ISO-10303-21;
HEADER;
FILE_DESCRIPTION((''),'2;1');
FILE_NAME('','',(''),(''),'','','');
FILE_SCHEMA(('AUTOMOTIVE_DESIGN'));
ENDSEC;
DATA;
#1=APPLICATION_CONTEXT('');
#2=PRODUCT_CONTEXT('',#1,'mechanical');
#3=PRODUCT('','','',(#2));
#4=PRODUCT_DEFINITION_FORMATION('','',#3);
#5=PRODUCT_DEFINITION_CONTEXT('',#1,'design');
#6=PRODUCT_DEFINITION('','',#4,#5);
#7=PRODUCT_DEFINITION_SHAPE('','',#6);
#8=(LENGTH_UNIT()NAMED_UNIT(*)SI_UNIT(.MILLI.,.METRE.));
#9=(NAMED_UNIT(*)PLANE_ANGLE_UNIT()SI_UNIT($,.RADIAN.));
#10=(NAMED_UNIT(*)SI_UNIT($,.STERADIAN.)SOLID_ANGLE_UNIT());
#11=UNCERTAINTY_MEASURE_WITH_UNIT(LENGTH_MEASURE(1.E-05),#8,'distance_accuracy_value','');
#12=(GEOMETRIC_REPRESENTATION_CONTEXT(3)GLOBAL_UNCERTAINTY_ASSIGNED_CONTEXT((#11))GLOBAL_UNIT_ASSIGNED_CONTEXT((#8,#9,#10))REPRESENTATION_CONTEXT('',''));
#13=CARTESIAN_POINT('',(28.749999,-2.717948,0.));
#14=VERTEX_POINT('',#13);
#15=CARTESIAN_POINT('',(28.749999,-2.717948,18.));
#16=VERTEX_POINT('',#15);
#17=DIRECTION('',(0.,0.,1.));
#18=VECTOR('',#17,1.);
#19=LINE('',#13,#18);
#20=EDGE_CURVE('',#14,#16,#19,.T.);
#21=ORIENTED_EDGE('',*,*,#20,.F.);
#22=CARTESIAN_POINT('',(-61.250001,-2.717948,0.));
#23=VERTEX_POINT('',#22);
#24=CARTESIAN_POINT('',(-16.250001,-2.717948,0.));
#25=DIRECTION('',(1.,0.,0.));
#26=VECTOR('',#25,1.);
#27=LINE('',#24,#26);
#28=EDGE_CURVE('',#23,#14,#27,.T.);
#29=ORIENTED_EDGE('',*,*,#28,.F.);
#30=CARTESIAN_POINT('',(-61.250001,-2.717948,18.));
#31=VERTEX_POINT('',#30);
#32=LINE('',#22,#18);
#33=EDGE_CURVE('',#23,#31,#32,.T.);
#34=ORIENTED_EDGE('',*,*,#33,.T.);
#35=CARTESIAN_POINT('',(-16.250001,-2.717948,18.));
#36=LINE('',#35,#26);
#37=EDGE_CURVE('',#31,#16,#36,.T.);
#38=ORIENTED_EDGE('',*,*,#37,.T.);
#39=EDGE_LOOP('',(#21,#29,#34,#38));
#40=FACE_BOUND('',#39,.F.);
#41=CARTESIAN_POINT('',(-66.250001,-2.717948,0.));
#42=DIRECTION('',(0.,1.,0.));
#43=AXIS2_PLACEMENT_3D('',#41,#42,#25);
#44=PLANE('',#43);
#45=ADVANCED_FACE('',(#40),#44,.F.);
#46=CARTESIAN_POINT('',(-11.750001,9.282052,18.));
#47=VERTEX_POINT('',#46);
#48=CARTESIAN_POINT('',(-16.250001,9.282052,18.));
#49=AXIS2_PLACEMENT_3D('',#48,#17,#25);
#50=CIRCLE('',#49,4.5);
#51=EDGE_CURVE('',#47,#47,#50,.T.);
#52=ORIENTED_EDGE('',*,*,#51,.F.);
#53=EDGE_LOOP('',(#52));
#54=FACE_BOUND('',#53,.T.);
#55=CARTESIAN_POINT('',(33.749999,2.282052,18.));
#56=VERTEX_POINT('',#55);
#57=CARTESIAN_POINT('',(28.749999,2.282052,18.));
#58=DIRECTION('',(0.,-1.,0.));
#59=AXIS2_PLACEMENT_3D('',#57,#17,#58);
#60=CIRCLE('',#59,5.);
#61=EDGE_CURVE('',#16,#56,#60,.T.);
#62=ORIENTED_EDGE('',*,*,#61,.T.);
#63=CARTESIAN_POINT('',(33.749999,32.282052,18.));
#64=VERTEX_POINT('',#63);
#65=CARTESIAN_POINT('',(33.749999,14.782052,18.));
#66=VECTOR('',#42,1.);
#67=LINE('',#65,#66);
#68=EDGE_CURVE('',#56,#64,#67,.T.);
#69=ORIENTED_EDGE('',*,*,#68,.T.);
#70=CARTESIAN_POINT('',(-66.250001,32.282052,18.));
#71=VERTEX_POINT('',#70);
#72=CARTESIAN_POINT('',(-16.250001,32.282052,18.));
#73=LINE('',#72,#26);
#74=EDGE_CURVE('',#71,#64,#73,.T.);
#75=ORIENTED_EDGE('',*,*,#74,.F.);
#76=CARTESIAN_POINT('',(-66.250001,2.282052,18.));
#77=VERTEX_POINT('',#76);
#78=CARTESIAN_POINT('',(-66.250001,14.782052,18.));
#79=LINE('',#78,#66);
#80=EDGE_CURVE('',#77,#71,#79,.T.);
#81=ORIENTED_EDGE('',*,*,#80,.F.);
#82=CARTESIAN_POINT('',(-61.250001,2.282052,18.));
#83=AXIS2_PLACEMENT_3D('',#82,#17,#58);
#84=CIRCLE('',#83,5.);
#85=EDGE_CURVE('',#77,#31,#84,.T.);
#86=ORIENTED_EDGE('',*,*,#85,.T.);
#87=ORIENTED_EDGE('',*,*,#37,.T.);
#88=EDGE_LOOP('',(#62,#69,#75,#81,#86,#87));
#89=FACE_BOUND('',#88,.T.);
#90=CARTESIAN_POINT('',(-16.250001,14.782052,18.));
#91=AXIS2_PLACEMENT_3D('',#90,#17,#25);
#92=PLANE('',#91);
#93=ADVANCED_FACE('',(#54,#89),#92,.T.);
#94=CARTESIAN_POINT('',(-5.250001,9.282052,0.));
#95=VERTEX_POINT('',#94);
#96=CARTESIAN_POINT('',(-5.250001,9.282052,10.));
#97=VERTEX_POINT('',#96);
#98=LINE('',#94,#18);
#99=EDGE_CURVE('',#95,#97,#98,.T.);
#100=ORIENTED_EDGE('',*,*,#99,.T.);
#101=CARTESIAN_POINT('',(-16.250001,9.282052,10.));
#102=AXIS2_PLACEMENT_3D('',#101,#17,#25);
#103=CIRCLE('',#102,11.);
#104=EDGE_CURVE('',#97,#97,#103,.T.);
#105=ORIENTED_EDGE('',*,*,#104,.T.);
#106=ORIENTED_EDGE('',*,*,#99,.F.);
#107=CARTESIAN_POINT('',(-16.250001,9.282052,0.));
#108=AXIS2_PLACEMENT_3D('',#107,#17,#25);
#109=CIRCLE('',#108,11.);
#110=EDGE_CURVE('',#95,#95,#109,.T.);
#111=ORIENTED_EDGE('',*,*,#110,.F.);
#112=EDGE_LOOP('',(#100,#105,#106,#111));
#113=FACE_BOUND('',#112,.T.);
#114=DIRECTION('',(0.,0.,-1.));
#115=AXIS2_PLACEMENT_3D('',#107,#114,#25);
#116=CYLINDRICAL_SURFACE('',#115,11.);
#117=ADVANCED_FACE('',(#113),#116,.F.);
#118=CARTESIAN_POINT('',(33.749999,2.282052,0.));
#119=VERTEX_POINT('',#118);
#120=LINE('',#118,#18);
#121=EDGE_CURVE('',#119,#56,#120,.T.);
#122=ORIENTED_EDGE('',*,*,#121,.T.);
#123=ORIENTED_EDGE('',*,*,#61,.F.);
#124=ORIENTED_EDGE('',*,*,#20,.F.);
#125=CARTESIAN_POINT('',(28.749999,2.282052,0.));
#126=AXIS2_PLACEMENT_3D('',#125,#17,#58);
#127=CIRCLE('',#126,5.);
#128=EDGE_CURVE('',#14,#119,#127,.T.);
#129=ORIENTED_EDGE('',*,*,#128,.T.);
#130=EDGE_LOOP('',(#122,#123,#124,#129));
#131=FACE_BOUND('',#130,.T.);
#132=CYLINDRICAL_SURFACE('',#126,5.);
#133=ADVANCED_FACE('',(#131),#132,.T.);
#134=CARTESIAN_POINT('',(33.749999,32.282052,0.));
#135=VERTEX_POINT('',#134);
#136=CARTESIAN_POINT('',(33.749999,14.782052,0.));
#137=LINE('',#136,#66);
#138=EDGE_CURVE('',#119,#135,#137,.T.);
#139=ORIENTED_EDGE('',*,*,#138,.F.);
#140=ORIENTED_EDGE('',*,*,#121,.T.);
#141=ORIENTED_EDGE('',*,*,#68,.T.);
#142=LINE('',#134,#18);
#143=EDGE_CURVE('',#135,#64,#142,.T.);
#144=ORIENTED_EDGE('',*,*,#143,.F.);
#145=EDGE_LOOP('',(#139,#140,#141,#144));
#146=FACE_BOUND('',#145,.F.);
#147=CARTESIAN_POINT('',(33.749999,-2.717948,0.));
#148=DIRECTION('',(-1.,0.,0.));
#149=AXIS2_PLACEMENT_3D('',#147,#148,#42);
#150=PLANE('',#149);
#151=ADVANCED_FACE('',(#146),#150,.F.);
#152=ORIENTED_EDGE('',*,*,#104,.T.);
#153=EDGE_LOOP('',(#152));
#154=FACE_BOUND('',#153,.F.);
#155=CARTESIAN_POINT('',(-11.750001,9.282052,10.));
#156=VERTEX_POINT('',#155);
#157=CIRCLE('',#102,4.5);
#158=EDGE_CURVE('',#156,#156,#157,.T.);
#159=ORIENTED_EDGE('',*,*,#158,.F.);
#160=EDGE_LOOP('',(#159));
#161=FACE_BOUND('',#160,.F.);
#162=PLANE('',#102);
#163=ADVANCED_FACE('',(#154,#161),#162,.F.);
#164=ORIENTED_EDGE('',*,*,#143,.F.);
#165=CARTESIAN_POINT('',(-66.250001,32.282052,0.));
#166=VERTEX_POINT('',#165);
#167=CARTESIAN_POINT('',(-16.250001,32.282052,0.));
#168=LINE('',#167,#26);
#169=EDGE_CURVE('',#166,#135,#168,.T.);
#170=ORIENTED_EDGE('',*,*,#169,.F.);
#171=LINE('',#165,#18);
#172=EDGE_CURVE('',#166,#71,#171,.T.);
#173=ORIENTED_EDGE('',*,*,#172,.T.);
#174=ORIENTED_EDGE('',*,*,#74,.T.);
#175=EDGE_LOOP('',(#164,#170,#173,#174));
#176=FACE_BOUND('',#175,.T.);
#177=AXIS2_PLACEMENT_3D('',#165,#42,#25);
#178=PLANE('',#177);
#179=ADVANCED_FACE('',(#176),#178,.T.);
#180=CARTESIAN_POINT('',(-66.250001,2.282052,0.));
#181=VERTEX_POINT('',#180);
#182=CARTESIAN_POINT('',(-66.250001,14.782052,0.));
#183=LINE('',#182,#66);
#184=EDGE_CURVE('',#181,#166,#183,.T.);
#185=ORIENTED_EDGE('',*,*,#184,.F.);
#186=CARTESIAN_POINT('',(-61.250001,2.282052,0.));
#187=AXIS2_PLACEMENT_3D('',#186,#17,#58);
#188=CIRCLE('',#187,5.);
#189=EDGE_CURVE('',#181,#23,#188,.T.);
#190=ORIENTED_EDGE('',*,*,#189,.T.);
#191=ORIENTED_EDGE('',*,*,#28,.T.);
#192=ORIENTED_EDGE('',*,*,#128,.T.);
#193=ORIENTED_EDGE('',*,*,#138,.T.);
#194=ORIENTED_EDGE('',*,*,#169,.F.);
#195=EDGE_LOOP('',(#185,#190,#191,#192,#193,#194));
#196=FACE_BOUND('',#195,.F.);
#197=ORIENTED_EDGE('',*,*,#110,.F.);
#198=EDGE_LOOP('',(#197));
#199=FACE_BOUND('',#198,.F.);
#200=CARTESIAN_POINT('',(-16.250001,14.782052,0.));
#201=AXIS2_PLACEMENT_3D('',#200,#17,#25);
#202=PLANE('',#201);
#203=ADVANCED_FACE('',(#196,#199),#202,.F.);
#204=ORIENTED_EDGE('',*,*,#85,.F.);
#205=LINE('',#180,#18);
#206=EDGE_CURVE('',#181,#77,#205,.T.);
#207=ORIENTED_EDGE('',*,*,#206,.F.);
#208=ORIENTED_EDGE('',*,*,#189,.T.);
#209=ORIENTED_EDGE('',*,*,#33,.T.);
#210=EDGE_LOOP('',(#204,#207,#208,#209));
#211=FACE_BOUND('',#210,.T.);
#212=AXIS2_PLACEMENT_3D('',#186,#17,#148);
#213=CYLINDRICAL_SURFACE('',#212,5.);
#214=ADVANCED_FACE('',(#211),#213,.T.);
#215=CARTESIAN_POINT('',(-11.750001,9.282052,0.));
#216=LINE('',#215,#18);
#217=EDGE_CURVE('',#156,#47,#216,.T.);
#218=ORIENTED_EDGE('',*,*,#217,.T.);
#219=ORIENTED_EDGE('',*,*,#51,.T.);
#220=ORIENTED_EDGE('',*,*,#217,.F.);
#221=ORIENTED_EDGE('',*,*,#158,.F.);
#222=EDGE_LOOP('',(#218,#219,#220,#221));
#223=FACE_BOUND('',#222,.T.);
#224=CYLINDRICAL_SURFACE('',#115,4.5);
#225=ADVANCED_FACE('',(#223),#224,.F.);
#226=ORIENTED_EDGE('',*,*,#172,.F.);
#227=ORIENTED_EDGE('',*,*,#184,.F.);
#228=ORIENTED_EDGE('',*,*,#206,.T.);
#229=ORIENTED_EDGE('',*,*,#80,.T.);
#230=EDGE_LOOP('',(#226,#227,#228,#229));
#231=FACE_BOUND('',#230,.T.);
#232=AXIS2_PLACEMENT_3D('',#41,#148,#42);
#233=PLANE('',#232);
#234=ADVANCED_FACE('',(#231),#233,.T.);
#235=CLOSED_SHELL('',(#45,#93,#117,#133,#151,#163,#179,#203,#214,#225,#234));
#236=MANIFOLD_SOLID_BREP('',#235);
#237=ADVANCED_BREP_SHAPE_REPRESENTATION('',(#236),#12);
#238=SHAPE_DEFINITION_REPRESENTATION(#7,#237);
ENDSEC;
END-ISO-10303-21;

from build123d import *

# Parameters (mm, degrees)
F0_W     = 100
F0_H     = 35
F0_R     = 11
F0_R_2   = 4.5
F1_DEPTH = 18
F2_DEPTH = 10
F3_R     = 5


with BuildPart() as f1:
    # F0 (on Top) → F1 (new body)
    with BuildSketch(Plane.XY):
        with Locations((-16.250001, 14.782052)):
            Rectangle(F0_W, F0_H)
        with Locations((-16.250001, 9.282052)):
            Circle(F0_R, mode=Mode.SUBTRACT)
        with Locations((-16.250001, 9.282052)):
            Circle(F0_R)
        with Locations((-16.250001, 9.282052)):
            Circle(F0_R_2, mode=Mode.SUBTRACT)
    extrude(amount=F1_DEPTH)

    # F0 (on Top) → F2 (cut)
    with BuildSketch(Plane.XY):
        with Locations((-16.250001, 9.282052)):
            Circle(F0_R)
        with Locations((-16.250001, 9.282052)):
            Circle(F0_R_2, mode=Mode.SUBTRACT)
    extrude(amount=F2_DEPTH, mode=Mode.SUBTRACT)

    # F3
    f3_edges = [f1.edges().sort_by_distance(p)[0] for p in [
        (33.749999, -2.717948, 9),
        (-66.250001, -2.717948, 9),
    ]]
    fillet(f3_edges, radius=F3_R)


solid = f1.part
